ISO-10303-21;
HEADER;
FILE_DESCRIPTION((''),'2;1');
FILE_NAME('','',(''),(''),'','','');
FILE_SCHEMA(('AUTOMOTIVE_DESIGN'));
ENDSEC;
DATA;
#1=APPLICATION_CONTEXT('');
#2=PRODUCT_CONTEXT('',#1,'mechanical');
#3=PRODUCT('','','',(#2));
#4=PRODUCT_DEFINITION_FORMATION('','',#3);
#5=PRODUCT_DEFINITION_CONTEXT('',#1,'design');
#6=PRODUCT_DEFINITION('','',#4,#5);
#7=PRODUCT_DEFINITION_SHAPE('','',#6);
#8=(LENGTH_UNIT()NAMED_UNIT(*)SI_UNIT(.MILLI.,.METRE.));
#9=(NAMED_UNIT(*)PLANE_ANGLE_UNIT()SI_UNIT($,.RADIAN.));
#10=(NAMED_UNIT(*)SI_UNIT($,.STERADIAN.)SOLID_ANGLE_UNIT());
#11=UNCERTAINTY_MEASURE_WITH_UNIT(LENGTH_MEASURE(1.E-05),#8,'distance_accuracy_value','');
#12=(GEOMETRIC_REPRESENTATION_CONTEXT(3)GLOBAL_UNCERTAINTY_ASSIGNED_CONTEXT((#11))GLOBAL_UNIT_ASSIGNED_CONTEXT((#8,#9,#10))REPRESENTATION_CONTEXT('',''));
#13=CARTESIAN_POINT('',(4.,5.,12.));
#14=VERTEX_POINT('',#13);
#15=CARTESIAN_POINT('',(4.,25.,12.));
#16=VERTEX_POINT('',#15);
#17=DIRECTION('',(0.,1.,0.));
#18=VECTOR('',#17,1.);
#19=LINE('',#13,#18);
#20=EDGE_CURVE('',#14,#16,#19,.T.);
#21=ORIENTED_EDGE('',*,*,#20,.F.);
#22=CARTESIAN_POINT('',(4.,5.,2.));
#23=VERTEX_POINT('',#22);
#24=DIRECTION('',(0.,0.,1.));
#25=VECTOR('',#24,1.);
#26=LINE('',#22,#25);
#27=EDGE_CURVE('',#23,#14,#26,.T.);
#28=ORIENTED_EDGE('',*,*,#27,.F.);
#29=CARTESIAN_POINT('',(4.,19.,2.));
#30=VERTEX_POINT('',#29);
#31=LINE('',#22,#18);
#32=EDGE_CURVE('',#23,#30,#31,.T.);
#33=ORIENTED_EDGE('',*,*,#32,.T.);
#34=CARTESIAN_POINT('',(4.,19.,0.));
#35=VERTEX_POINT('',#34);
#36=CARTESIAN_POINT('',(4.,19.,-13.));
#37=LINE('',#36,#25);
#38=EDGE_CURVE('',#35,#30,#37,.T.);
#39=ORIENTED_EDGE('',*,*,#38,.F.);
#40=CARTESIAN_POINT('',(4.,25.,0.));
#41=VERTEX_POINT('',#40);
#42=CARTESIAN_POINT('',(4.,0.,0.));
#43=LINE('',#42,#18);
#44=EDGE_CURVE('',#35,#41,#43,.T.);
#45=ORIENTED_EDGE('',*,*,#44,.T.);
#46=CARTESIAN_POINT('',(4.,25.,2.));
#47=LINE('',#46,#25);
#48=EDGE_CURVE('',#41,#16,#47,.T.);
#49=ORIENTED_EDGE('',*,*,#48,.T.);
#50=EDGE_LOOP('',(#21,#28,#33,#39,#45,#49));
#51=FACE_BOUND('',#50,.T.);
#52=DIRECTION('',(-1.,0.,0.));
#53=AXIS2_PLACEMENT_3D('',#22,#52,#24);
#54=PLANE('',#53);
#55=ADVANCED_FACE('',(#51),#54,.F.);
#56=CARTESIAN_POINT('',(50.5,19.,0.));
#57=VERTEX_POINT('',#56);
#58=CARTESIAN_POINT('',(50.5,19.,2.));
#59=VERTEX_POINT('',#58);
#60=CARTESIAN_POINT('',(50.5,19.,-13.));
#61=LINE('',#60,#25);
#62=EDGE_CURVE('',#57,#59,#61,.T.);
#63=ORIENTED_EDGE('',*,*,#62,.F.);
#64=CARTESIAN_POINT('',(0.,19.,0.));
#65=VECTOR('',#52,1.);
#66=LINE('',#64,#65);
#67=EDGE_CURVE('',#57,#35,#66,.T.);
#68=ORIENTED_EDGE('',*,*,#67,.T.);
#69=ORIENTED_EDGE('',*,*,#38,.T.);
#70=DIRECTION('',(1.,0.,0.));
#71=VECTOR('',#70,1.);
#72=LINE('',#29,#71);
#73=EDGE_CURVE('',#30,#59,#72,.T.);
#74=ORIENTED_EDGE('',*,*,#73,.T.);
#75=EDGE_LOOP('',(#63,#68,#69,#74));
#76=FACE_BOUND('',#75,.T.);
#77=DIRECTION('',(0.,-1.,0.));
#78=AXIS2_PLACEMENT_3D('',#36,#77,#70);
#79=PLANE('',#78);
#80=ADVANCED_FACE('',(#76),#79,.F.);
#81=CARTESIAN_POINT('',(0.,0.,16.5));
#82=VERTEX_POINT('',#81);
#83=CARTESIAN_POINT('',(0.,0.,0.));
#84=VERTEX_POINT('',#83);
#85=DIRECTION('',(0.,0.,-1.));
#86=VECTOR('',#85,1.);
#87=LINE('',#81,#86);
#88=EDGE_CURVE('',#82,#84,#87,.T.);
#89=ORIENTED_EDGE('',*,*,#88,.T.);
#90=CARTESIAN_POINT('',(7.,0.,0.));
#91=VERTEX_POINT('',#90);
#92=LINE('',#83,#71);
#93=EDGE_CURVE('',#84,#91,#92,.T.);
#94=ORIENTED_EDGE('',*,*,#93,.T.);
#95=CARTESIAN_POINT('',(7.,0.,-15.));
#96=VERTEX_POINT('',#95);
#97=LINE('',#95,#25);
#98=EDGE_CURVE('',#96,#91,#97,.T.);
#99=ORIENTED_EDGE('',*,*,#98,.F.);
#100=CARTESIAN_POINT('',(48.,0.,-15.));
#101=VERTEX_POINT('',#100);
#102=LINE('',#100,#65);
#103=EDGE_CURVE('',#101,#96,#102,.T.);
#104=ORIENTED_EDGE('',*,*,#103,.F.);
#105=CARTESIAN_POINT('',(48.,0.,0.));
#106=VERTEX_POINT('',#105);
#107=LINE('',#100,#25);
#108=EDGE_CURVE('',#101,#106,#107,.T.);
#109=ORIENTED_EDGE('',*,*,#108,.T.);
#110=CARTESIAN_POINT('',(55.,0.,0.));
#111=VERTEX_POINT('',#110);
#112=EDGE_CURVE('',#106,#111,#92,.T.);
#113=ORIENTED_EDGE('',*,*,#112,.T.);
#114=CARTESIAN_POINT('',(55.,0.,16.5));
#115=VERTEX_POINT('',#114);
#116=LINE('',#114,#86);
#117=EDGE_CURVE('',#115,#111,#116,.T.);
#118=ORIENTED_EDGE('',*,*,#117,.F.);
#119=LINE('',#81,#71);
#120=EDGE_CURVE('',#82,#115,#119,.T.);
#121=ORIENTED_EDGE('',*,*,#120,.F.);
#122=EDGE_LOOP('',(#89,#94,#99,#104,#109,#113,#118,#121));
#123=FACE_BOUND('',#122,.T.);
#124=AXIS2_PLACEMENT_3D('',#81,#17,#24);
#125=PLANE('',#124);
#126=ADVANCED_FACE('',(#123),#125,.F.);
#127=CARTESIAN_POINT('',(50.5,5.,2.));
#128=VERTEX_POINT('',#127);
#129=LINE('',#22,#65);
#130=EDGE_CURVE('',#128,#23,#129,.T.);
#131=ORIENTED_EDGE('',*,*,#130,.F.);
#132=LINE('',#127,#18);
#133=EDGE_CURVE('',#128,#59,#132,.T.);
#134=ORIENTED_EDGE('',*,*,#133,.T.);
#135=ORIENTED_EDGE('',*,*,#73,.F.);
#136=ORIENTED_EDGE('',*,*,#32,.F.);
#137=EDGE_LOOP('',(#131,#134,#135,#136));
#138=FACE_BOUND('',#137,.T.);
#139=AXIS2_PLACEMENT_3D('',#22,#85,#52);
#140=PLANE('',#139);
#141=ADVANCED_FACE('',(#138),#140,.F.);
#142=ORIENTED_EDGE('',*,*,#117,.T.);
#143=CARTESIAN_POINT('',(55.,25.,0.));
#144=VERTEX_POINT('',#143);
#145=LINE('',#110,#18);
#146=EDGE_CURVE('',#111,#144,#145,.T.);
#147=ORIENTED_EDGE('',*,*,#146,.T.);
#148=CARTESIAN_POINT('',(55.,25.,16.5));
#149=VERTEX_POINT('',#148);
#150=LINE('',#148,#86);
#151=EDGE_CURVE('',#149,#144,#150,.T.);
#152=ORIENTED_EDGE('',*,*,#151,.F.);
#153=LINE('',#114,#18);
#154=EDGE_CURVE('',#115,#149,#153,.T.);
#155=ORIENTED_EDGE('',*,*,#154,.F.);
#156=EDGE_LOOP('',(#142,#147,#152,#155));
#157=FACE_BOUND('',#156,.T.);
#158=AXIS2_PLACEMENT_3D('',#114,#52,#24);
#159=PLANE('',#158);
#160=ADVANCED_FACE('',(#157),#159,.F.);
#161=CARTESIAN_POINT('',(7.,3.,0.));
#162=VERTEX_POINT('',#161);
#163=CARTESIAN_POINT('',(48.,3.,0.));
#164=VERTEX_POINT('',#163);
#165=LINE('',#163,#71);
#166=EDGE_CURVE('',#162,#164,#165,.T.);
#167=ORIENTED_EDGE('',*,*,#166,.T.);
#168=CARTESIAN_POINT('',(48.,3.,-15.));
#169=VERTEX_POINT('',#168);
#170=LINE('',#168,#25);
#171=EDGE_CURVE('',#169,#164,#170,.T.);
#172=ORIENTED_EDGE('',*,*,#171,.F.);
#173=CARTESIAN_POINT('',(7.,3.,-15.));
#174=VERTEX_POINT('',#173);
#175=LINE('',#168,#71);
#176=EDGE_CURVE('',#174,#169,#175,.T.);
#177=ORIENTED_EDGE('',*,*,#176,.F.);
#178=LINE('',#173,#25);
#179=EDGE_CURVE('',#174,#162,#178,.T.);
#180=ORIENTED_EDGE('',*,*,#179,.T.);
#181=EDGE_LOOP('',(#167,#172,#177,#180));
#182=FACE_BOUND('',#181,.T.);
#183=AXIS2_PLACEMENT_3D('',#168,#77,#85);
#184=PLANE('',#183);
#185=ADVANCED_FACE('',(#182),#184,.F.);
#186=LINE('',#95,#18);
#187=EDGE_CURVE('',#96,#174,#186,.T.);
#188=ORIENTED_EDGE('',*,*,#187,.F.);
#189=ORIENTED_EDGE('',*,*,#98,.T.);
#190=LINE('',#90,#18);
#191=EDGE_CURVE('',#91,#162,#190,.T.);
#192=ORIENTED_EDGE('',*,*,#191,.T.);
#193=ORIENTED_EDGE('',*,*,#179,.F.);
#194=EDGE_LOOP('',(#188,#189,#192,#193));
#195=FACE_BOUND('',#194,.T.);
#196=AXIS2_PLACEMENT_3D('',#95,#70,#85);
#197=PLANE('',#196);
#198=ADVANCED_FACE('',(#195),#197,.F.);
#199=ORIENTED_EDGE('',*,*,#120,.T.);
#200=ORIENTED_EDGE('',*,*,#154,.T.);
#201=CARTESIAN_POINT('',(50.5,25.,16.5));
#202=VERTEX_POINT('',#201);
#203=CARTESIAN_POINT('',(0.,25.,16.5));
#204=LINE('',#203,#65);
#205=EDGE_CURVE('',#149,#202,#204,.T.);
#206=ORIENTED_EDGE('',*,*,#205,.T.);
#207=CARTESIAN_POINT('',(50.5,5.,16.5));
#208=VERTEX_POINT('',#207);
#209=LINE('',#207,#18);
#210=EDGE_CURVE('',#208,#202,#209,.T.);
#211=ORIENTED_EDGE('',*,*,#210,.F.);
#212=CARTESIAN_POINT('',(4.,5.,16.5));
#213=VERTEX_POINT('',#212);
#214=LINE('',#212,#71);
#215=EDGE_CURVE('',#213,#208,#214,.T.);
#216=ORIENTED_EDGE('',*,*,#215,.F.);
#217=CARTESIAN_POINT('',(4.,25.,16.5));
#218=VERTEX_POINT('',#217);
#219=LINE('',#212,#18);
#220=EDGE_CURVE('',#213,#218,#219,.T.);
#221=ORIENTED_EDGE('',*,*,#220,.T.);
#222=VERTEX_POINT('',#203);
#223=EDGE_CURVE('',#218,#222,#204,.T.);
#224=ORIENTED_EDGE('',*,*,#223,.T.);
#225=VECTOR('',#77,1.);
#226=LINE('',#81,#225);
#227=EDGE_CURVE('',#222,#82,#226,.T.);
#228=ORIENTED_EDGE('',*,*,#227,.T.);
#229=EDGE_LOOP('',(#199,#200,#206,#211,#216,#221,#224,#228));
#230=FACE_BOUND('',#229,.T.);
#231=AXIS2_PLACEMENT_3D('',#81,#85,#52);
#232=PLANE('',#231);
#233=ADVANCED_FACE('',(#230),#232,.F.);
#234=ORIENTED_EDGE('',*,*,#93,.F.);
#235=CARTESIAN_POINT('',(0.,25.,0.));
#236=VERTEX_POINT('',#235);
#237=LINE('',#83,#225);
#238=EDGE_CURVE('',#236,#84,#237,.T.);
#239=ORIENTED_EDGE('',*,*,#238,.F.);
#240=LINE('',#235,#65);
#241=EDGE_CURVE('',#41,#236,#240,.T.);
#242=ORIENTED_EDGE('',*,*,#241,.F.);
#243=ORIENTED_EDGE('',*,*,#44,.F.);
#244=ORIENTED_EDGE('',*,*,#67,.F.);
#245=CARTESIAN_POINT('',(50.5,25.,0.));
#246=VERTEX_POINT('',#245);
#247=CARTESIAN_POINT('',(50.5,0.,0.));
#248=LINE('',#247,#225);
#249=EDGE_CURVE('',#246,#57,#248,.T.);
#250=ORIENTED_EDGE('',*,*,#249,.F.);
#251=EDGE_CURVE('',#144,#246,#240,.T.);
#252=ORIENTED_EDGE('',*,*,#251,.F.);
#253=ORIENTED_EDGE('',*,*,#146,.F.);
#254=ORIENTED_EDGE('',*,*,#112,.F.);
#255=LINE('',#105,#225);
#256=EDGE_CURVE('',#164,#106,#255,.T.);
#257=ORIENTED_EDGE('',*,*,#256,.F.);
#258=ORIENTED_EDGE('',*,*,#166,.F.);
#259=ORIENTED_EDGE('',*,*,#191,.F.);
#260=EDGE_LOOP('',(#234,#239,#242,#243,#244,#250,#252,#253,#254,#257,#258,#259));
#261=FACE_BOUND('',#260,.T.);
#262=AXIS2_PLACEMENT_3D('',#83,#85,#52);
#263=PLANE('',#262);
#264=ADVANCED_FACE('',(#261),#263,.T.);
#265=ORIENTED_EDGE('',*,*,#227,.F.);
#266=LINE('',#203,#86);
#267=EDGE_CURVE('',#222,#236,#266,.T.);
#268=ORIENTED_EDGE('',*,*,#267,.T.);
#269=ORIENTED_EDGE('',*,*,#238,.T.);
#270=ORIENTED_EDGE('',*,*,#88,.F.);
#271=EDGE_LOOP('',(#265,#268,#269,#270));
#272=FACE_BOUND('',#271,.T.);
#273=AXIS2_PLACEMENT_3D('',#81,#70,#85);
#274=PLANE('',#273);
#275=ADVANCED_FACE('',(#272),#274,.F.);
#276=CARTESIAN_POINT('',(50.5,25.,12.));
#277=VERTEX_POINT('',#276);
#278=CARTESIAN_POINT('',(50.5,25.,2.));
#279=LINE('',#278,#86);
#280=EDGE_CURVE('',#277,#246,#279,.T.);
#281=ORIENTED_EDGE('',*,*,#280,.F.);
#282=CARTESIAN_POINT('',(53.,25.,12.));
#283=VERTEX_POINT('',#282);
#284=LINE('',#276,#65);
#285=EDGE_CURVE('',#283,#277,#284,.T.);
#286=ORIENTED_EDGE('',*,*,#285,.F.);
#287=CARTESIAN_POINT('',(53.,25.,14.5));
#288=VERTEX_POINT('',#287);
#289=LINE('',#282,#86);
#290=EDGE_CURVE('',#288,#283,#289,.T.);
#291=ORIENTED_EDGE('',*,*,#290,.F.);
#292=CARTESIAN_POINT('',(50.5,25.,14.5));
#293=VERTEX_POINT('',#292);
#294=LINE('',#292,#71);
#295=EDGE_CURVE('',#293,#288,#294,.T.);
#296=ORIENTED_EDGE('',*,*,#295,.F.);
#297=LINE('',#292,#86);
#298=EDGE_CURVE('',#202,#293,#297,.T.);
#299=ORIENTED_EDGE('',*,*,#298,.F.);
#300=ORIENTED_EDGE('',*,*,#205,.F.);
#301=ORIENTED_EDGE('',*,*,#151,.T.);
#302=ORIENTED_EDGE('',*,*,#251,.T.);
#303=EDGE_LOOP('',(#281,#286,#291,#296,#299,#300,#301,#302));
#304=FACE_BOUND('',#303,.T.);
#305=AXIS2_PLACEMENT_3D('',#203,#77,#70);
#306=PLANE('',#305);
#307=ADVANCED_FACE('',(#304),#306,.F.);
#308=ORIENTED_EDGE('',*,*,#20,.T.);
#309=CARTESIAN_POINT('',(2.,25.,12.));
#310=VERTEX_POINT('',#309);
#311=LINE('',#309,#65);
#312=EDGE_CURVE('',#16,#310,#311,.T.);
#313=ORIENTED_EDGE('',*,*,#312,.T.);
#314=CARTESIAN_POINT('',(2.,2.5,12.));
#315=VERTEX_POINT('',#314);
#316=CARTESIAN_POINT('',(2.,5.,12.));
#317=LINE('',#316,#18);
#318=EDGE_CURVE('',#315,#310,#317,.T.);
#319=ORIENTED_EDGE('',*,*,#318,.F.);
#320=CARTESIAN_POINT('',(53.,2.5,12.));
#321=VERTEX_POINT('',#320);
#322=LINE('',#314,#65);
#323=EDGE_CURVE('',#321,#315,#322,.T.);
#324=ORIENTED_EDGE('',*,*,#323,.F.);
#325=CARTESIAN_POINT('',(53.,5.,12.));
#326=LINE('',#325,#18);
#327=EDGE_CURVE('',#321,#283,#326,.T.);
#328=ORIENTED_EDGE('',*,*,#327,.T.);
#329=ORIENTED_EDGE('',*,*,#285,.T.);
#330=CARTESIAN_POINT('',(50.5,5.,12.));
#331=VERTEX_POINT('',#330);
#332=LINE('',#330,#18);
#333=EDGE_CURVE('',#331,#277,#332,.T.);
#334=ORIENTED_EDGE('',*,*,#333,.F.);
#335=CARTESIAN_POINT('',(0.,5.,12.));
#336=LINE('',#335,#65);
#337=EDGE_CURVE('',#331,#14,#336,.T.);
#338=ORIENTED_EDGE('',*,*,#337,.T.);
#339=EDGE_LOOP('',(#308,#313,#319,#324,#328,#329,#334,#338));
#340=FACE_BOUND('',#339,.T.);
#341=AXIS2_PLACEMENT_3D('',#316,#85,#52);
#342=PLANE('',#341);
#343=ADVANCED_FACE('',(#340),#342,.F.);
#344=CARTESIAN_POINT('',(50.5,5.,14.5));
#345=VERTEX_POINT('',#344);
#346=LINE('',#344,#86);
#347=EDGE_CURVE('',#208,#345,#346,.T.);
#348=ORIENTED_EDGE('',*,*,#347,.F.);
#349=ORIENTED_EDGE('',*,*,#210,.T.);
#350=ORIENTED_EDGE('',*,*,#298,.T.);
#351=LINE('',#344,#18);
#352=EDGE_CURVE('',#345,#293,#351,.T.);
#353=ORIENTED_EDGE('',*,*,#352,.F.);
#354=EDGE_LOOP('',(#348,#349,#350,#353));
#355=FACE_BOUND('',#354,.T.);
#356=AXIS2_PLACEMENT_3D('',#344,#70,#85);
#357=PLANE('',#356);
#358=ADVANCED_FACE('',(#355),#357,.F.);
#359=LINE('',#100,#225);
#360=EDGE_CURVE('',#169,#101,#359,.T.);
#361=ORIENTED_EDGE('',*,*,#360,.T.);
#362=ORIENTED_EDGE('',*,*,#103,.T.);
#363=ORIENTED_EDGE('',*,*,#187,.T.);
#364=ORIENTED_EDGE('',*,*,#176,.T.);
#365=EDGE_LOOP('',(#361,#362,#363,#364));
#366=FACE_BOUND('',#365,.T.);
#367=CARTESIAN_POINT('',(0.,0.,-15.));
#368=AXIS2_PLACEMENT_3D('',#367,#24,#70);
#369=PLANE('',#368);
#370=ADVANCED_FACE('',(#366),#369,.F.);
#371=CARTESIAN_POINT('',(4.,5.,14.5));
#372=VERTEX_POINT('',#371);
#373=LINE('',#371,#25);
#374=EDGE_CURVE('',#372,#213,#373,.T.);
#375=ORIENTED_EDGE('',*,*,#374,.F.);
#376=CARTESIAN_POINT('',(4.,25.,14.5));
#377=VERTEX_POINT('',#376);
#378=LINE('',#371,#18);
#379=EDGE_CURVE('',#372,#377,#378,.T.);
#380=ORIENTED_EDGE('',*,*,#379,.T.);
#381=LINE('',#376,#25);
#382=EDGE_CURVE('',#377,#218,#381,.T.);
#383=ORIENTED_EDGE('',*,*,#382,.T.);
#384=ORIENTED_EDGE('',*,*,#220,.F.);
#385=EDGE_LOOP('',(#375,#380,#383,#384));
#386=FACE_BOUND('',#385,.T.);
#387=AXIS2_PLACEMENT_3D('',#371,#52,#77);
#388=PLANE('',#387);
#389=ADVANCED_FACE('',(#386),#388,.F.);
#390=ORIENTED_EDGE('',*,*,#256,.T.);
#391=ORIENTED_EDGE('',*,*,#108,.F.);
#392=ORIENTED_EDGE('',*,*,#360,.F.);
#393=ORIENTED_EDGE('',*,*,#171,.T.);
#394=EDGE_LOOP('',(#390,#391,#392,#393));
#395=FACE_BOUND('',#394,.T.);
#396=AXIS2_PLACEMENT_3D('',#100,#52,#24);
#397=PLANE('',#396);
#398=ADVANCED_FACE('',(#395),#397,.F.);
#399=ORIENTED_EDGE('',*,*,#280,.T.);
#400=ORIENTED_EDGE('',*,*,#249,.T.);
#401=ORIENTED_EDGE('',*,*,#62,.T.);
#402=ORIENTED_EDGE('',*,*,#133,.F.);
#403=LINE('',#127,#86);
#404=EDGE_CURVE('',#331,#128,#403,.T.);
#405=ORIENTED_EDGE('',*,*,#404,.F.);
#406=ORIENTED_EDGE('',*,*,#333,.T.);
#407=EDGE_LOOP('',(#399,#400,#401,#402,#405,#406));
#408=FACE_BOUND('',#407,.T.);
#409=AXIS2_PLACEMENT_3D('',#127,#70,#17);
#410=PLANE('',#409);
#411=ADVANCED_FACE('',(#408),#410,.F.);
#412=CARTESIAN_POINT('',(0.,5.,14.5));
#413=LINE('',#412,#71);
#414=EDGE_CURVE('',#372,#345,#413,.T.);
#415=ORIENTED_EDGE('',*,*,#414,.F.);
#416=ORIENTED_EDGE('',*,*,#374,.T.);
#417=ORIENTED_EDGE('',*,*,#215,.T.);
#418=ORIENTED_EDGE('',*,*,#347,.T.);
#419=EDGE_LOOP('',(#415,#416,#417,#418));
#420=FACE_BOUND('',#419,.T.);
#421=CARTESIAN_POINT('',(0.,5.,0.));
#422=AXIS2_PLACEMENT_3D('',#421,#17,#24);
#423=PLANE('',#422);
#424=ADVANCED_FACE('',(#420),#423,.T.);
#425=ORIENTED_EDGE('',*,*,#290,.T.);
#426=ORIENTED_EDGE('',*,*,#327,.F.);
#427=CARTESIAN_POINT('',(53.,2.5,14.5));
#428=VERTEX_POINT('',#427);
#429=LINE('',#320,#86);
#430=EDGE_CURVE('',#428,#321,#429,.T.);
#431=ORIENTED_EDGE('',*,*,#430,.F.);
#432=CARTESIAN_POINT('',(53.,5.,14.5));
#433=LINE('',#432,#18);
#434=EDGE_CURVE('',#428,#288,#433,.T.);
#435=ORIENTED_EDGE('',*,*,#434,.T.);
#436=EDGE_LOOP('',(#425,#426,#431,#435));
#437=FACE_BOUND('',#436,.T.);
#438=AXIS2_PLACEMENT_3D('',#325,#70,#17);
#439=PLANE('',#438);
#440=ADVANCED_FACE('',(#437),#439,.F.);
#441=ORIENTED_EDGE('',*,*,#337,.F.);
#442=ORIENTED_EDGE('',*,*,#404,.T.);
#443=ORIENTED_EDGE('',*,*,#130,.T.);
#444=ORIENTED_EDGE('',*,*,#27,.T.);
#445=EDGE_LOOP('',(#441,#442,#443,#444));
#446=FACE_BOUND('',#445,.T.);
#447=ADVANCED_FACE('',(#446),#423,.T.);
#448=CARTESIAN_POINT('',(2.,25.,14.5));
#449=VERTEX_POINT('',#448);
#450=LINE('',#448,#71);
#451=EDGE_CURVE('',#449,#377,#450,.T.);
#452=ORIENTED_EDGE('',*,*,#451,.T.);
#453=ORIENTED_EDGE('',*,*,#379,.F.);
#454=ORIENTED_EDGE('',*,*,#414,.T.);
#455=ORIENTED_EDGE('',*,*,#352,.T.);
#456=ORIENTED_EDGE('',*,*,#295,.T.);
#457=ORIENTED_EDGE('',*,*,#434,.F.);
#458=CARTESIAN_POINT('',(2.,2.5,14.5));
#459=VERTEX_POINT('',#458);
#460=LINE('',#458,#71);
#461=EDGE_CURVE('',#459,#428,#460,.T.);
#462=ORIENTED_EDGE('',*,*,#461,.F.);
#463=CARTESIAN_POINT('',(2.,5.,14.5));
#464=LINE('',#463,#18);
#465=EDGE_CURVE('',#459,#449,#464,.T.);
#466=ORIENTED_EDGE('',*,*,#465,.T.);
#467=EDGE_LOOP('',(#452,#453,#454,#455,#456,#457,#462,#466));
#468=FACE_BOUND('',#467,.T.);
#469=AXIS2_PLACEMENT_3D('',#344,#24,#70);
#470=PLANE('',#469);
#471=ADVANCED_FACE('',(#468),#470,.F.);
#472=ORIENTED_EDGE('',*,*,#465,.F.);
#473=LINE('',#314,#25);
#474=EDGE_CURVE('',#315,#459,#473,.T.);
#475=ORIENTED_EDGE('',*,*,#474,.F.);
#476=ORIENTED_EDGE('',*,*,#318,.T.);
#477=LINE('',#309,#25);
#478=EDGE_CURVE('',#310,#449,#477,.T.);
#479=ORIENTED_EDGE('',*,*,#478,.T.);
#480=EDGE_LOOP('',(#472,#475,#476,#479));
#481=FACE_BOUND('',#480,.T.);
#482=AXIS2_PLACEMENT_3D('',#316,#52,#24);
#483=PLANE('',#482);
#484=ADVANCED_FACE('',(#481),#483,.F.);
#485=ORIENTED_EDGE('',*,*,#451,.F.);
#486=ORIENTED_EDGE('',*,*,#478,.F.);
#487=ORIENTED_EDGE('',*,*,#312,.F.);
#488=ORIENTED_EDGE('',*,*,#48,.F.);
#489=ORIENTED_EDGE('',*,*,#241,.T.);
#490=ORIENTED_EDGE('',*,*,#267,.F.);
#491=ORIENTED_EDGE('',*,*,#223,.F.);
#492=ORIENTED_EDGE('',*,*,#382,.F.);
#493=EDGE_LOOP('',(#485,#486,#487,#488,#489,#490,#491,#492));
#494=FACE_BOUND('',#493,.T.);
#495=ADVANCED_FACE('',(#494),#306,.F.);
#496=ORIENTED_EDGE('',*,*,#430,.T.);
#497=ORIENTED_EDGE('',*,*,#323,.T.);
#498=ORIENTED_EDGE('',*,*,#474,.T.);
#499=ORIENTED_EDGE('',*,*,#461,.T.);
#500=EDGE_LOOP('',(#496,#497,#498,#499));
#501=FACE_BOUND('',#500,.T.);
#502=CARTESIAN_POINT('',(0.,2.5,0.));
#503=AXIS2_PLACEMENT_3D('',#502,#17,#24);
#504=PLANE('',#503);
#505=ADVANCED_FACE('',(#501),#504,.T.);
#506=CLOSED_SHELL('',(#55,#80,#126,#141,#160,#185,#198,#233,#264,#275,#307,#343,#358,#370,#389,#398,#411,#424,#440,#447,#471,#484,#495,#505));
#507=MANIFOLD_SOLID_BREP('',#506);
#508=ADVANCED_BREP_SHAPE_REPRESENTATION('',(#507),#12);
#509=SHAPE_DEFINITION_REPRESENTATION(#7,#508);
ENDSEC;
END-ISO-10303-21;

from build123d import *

# Parameters (mm, degrees)
SKETCH1_W           = 55
SKETCH1_H           = 25
BOSS_EXTRUDE1_DEPTH = 16.5
CUT_EXTRUDE1_DEPTH  = 20
SKETCH3_W           = 51
SKETCH3_H           = 2.5
CUT_EXTRUDE2_DEPTH  = 2.5
SKETCH4_W           = 41
SKETCH4_H           = 3
BOSS_EXTRUDE2_DEPTH = 15
SKETCH5_W           = 46.5
SKETCH5_H           = 6
CUT_EXTRUDE3_DEPTH  = 15


with BuildPart() as part:
    # Sketch1 → Boss-Extrude1 (new body)
    with BuildSketch(Plane.XY):
        with Locations((27.5, 12.5)):
            Rectangle(SKETCH1_W, SKETCH1_H)
    extrude(amount=BOSS_EXTRUDE1_DEPTH)

    # Sketch2 → Cut-Extrude1 (cut)
    with BuildSketch(Plane(origin=(0, 25, 0), x_dir=(1, 0, 0), z_dir=(0, 1, 0))):
        Polygon((2, -12), (4, -12), (4, -2), (50.5, -2), (50.5, -12), (53, -12), (53, -14.5), (50.5, -14.5), (50.5, -16.5), (4, -16.5), (4, -14.5), (2, -14.5), align=None)
    extrude(amount=-CUT_EXTRUDE1_DEPTH, mode=Mode.SUBTRACT)

    # Sketch3 → Cut-Extrude2 (cut)
    with BuildSketch(Plane(origin=(0, 5, 0), x_dir=(1, 0, 0), z_dir=(0, 1, 0))):
        with Locations((27.5, -13.25)):
            Rectangle(SKETCH3_W, SKETCH3_H)
    extrude(amount=-CUT_EXTRUDE2_DEPTH, mode=Mode.SUBTRACT)

    # Sketch4 → Boss-Extrude2 (add)
    with BuildSketch(Plane(origin=(0, 0, 0), x_dir=(-1, 0, 0), z_dir=(0, 0, -1))):
        with Locations((-27.5, 1.5)):
            Rectangle(SKETCH4_W, SKETCH4_H)
    extrude(amount=BOSS_EXTRUDE2_DEPTH)

    # Sketch5 → Cut-Extrude3 (cut)
    with BuildSketch(Plane.XY.offset(2)):
        with Locations((27.25, 22)):
            Rectangle(SKETCH5_W, SKETCH5_H)
    extrude(amount=-CUT_EXTRUDE3_DEPTH, mode=Mode.SUBTRACT)


solid = part.part
